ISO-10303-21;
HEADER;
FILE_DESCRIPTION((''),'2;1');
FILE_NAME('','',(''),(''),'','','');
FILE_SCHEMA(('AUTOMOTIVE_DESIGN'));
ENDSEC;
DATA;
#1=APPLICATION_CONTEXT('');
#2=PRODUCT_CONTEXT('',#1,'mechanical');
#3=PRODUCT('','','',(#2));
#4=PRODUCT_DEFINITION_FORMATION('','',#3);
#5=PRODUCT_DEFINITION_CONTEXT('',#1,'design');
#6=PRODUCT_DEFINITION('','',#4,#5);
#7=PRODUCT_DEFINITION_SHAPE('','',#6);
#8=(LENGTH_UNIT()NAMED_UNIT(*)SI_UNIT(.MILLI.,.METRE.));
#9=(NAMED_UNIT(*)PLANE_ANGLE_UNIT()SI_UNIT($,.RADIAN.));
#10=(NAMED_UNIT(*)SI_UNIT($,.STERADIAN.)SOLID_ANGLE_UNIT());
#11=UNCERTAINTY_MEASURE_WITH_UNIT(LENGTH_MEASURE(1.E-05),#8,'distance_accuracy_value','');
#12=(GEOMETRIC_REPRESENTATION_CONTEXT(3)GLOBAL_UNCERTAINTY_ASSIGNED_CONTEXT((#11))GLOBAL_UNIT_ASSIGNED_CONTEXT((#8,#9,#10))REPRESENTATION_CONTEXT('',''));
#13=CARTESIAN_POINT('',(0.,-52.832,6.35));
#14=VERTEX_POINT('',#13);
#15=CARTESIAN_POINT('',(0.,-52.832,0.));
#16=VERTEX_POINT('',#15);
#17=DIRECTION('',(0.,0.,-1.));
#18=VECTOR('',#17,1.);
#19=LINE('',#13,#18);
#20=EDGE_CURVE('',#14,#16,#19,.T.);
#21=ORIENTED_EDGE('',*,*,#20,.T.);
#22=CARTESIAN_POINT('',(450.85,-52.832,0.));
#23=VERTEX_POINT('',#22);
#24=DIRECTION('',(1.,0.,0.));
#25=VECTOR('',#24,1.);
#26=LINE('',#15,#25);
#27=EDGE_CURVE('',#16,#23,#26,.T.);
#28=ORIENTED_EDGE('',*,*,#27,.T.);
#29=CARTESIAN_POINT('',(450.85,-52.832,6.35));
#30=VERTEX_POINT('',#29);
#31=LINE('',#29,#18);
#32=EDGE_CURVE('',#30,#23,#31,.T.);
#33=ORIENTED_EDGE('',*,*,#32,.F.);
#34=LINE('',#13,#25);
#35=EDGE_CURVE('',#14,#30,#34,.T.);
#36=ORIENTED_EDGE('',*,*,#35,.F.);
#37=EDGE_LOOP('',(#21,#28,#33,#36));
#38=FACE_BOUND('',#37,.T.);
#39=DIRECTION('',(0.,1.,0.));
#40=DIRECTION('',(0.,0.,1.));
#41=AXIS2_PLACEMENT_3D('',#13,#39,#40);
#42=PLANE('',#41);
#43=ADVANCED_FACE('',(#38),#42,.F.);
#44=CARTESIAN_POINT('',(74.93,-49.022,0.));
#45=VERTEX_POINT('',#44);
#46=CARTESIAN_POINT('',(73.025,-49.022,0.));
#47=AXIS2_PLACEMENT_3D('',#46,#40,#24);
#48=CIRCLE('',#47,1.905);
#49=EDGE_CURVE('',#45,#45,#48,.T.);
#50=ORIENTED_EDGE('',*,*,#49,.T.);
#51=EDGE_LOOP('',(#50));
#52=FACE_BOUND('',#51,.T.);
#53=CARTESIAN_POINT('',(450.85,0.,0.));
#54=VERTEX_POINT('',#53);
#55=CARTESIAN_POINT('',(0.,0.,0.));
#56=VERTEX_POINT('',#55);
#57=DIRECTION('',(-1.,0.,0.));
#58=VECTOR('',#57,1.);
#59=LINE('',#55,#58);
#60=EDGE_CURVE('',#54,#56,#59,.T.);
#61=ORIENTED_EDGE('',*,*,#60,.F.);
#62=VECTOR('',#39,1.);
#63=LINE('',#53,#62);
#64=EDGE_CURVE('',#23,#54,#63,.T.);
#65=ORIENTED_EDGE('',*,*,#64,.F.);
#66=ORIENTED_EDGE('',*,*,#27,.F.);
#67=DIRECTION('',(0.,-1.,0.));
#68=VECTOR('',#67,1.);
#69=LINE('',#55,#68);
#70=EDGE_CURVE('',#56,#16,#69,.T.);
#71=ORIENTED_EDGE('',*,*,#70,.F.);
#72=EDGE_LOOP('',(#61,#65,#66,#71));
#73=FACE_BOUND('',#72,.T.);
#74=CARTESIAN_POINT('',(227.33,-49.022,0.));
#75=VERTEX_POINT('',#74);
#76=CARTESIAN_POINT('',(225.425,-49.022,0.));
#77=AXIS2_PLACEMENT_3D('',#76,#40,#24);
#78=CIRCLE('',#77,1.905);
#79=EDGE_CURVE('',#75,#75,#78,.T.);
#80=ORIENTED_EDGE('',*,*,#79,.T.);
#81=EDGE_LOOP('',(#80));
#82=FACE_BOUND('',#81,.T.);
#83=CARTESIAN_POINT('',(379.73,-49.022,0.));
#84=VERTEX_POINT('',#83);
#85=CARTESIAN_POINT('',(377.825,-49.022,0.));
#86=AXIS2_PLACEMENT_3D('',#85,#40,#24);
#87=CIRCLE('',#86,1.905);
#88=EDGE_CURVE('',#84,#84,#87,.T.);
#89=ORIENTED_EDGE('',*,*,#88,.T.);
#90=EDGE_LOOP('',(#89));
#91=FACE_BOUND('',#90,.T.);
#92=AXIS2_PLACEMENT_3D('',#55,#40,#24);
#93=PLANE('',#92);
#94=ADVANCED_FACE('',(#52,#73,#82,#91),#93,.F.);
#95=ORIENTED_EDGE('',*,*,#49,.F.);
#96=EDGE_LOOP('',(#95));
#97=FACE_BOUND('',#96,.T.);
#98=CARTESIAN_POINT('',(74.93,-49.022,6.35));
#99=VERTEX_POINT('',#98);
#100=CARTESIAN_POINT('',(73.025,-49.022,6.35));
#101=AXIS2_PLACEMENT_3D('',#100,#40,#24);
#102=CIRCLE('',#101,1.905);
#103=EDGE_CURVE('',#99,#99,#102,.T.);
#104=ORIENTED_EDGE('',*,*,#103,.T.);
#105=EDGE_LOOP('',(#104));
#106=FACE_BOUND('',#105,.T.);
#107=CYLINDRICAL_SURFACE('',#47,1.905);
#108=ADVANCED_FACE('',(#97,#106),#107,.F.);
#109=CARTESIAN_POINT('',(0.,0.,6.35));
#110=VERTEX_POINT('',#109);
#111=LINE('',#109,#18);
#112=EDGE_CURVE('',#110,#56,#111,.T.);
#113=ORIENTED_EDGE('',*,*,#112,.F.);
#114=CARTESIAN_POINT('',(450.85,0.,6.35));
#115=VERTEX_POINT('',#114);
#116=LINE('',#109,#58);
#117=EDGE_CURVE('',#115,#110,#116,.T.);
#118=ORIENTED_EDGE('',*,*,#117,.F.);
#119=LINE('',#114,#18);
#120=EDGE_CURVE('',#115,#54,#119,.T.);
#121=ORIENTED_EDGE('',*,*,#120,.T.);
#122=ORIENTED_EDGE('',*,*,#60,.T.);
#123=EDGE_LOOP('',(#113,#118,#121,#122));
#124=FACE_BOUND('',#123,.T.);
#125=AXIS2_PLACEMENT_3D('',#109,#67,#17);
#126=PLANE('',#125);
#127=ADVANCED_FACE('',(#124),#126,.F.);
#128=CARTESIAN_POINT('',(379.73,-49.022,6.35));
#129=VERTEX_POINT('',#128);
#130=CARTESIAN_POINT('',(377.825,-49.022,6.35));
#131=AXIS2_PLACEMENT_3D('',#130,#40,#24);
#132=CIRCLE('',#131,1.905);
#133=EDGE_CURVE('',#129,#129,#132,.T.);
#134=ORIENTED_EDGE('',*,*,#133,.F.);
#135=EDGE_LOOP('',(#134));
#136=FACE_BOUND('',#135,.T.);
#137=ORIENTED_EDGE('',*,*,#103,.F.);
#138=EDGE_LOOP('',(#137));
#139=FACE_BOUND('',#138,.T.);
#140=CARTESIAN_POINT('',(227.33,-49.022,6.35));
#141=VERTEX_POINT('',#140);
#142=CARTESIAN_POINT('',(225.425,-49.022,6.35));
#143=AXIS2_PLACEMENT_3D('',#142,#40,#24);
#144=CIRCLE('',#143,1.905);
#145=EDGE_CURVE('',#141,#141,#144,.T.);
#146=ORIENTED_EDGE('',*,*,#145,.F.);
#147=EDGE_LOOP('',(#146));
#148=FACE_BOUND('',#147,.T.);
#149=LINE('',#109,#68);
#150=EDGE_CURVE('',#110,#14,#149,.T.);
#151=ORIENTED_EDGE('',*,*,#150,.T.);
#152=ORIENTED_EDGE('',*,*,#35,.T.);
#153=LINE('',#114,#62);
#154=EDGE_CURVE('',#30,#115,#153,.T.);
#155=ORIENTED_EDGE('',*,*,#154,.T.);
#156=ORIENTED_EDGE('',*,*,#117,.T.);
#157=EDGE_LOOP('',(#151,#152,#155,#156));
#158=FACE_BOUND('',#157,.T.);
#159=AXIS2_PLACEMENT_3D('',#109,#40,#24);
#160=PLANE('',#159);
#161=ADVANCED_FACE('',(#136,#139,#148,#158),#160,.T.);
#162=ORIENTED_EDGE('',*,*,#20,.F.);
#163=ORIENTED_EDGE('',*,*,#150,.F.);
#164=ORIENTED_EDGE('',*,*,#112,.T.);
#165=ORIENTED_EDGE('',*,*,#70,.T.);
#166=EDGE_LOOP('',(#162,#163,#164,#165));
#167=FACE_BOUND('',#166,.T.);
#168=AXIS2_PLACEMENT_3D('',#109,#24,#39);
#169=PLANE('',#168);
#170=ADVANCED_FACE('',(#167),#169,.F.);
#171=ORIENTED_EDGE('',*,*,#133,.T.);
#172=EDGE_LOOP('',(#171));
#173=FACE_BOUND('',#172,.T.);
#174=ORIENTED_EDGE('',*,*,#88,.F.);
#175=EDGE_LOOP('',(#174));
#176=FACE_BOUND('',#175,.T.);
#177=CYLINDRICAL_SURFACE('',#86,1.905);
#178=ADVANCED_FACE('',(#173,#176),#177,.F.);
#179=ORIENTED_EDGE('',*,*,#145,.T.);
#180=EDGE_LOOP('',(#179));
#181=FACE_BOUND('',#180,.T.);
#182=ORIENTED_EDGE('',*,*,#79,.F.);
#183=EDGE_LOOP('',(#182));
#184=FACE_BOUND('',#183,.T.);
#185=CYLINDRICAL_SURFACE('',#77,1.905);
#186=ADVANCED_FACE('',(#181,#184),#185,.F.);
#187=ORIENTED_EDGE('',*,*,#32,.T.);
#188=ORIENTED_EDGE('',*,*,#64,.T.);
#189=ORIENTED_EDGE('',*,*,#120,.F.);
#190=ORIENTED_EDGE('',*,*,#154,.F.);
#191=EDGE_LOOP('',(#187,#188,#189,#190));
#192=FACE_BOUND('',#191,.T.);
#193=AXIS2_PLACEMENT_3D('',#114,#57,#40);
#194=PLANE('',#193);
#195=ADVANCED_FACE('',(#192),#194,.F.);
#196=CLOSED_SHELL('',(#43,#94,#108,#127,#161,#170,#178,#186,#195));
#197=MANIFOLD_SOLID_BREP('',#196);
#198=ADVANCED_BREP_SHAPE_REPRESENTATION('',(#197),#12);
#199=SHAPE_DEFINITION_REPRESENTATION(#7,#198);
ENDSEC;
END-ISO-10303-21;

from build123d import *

# Parameters (mm, degrees)
SKETCH1_W           = 450.85
SKETCH1_H           = 52.832
BOSS_EXTRUDE1_DEPTH = 6.35
SKETCH2_R           = 1.905
CUT_EXTRUDE1_DEPTH  = 6.35


with BuildPart() as part:
    # Sketch1 → Boss-Extrude1 (new body)
    with BuildSketch(Plane.XY):
        with Locations((225.425, -26.416)):
            Rectangle(SKETCH1_W, SKETCH1_H)
    extrude(amount=BOSS_EXTRUDE1_DEPTH)

    # Sketch2 → Cut-Extrude1 (cut)
    with BuildSketch(Plane.XY.offset(6.35)):
        with Locations((73.025, -49.022)):
            Circle(SKETCH2_R)
        with Locations((225.425, -49.022)):
            Circle(SKETCH2_R)
        with Locations((377.825, -49.022)):
            Circle(SKETCH2_R)
    extrude(amount=-CUT_EXTRUDE1_DEPTH, mode=Mode.SUBTRACT)


solid = part.part
